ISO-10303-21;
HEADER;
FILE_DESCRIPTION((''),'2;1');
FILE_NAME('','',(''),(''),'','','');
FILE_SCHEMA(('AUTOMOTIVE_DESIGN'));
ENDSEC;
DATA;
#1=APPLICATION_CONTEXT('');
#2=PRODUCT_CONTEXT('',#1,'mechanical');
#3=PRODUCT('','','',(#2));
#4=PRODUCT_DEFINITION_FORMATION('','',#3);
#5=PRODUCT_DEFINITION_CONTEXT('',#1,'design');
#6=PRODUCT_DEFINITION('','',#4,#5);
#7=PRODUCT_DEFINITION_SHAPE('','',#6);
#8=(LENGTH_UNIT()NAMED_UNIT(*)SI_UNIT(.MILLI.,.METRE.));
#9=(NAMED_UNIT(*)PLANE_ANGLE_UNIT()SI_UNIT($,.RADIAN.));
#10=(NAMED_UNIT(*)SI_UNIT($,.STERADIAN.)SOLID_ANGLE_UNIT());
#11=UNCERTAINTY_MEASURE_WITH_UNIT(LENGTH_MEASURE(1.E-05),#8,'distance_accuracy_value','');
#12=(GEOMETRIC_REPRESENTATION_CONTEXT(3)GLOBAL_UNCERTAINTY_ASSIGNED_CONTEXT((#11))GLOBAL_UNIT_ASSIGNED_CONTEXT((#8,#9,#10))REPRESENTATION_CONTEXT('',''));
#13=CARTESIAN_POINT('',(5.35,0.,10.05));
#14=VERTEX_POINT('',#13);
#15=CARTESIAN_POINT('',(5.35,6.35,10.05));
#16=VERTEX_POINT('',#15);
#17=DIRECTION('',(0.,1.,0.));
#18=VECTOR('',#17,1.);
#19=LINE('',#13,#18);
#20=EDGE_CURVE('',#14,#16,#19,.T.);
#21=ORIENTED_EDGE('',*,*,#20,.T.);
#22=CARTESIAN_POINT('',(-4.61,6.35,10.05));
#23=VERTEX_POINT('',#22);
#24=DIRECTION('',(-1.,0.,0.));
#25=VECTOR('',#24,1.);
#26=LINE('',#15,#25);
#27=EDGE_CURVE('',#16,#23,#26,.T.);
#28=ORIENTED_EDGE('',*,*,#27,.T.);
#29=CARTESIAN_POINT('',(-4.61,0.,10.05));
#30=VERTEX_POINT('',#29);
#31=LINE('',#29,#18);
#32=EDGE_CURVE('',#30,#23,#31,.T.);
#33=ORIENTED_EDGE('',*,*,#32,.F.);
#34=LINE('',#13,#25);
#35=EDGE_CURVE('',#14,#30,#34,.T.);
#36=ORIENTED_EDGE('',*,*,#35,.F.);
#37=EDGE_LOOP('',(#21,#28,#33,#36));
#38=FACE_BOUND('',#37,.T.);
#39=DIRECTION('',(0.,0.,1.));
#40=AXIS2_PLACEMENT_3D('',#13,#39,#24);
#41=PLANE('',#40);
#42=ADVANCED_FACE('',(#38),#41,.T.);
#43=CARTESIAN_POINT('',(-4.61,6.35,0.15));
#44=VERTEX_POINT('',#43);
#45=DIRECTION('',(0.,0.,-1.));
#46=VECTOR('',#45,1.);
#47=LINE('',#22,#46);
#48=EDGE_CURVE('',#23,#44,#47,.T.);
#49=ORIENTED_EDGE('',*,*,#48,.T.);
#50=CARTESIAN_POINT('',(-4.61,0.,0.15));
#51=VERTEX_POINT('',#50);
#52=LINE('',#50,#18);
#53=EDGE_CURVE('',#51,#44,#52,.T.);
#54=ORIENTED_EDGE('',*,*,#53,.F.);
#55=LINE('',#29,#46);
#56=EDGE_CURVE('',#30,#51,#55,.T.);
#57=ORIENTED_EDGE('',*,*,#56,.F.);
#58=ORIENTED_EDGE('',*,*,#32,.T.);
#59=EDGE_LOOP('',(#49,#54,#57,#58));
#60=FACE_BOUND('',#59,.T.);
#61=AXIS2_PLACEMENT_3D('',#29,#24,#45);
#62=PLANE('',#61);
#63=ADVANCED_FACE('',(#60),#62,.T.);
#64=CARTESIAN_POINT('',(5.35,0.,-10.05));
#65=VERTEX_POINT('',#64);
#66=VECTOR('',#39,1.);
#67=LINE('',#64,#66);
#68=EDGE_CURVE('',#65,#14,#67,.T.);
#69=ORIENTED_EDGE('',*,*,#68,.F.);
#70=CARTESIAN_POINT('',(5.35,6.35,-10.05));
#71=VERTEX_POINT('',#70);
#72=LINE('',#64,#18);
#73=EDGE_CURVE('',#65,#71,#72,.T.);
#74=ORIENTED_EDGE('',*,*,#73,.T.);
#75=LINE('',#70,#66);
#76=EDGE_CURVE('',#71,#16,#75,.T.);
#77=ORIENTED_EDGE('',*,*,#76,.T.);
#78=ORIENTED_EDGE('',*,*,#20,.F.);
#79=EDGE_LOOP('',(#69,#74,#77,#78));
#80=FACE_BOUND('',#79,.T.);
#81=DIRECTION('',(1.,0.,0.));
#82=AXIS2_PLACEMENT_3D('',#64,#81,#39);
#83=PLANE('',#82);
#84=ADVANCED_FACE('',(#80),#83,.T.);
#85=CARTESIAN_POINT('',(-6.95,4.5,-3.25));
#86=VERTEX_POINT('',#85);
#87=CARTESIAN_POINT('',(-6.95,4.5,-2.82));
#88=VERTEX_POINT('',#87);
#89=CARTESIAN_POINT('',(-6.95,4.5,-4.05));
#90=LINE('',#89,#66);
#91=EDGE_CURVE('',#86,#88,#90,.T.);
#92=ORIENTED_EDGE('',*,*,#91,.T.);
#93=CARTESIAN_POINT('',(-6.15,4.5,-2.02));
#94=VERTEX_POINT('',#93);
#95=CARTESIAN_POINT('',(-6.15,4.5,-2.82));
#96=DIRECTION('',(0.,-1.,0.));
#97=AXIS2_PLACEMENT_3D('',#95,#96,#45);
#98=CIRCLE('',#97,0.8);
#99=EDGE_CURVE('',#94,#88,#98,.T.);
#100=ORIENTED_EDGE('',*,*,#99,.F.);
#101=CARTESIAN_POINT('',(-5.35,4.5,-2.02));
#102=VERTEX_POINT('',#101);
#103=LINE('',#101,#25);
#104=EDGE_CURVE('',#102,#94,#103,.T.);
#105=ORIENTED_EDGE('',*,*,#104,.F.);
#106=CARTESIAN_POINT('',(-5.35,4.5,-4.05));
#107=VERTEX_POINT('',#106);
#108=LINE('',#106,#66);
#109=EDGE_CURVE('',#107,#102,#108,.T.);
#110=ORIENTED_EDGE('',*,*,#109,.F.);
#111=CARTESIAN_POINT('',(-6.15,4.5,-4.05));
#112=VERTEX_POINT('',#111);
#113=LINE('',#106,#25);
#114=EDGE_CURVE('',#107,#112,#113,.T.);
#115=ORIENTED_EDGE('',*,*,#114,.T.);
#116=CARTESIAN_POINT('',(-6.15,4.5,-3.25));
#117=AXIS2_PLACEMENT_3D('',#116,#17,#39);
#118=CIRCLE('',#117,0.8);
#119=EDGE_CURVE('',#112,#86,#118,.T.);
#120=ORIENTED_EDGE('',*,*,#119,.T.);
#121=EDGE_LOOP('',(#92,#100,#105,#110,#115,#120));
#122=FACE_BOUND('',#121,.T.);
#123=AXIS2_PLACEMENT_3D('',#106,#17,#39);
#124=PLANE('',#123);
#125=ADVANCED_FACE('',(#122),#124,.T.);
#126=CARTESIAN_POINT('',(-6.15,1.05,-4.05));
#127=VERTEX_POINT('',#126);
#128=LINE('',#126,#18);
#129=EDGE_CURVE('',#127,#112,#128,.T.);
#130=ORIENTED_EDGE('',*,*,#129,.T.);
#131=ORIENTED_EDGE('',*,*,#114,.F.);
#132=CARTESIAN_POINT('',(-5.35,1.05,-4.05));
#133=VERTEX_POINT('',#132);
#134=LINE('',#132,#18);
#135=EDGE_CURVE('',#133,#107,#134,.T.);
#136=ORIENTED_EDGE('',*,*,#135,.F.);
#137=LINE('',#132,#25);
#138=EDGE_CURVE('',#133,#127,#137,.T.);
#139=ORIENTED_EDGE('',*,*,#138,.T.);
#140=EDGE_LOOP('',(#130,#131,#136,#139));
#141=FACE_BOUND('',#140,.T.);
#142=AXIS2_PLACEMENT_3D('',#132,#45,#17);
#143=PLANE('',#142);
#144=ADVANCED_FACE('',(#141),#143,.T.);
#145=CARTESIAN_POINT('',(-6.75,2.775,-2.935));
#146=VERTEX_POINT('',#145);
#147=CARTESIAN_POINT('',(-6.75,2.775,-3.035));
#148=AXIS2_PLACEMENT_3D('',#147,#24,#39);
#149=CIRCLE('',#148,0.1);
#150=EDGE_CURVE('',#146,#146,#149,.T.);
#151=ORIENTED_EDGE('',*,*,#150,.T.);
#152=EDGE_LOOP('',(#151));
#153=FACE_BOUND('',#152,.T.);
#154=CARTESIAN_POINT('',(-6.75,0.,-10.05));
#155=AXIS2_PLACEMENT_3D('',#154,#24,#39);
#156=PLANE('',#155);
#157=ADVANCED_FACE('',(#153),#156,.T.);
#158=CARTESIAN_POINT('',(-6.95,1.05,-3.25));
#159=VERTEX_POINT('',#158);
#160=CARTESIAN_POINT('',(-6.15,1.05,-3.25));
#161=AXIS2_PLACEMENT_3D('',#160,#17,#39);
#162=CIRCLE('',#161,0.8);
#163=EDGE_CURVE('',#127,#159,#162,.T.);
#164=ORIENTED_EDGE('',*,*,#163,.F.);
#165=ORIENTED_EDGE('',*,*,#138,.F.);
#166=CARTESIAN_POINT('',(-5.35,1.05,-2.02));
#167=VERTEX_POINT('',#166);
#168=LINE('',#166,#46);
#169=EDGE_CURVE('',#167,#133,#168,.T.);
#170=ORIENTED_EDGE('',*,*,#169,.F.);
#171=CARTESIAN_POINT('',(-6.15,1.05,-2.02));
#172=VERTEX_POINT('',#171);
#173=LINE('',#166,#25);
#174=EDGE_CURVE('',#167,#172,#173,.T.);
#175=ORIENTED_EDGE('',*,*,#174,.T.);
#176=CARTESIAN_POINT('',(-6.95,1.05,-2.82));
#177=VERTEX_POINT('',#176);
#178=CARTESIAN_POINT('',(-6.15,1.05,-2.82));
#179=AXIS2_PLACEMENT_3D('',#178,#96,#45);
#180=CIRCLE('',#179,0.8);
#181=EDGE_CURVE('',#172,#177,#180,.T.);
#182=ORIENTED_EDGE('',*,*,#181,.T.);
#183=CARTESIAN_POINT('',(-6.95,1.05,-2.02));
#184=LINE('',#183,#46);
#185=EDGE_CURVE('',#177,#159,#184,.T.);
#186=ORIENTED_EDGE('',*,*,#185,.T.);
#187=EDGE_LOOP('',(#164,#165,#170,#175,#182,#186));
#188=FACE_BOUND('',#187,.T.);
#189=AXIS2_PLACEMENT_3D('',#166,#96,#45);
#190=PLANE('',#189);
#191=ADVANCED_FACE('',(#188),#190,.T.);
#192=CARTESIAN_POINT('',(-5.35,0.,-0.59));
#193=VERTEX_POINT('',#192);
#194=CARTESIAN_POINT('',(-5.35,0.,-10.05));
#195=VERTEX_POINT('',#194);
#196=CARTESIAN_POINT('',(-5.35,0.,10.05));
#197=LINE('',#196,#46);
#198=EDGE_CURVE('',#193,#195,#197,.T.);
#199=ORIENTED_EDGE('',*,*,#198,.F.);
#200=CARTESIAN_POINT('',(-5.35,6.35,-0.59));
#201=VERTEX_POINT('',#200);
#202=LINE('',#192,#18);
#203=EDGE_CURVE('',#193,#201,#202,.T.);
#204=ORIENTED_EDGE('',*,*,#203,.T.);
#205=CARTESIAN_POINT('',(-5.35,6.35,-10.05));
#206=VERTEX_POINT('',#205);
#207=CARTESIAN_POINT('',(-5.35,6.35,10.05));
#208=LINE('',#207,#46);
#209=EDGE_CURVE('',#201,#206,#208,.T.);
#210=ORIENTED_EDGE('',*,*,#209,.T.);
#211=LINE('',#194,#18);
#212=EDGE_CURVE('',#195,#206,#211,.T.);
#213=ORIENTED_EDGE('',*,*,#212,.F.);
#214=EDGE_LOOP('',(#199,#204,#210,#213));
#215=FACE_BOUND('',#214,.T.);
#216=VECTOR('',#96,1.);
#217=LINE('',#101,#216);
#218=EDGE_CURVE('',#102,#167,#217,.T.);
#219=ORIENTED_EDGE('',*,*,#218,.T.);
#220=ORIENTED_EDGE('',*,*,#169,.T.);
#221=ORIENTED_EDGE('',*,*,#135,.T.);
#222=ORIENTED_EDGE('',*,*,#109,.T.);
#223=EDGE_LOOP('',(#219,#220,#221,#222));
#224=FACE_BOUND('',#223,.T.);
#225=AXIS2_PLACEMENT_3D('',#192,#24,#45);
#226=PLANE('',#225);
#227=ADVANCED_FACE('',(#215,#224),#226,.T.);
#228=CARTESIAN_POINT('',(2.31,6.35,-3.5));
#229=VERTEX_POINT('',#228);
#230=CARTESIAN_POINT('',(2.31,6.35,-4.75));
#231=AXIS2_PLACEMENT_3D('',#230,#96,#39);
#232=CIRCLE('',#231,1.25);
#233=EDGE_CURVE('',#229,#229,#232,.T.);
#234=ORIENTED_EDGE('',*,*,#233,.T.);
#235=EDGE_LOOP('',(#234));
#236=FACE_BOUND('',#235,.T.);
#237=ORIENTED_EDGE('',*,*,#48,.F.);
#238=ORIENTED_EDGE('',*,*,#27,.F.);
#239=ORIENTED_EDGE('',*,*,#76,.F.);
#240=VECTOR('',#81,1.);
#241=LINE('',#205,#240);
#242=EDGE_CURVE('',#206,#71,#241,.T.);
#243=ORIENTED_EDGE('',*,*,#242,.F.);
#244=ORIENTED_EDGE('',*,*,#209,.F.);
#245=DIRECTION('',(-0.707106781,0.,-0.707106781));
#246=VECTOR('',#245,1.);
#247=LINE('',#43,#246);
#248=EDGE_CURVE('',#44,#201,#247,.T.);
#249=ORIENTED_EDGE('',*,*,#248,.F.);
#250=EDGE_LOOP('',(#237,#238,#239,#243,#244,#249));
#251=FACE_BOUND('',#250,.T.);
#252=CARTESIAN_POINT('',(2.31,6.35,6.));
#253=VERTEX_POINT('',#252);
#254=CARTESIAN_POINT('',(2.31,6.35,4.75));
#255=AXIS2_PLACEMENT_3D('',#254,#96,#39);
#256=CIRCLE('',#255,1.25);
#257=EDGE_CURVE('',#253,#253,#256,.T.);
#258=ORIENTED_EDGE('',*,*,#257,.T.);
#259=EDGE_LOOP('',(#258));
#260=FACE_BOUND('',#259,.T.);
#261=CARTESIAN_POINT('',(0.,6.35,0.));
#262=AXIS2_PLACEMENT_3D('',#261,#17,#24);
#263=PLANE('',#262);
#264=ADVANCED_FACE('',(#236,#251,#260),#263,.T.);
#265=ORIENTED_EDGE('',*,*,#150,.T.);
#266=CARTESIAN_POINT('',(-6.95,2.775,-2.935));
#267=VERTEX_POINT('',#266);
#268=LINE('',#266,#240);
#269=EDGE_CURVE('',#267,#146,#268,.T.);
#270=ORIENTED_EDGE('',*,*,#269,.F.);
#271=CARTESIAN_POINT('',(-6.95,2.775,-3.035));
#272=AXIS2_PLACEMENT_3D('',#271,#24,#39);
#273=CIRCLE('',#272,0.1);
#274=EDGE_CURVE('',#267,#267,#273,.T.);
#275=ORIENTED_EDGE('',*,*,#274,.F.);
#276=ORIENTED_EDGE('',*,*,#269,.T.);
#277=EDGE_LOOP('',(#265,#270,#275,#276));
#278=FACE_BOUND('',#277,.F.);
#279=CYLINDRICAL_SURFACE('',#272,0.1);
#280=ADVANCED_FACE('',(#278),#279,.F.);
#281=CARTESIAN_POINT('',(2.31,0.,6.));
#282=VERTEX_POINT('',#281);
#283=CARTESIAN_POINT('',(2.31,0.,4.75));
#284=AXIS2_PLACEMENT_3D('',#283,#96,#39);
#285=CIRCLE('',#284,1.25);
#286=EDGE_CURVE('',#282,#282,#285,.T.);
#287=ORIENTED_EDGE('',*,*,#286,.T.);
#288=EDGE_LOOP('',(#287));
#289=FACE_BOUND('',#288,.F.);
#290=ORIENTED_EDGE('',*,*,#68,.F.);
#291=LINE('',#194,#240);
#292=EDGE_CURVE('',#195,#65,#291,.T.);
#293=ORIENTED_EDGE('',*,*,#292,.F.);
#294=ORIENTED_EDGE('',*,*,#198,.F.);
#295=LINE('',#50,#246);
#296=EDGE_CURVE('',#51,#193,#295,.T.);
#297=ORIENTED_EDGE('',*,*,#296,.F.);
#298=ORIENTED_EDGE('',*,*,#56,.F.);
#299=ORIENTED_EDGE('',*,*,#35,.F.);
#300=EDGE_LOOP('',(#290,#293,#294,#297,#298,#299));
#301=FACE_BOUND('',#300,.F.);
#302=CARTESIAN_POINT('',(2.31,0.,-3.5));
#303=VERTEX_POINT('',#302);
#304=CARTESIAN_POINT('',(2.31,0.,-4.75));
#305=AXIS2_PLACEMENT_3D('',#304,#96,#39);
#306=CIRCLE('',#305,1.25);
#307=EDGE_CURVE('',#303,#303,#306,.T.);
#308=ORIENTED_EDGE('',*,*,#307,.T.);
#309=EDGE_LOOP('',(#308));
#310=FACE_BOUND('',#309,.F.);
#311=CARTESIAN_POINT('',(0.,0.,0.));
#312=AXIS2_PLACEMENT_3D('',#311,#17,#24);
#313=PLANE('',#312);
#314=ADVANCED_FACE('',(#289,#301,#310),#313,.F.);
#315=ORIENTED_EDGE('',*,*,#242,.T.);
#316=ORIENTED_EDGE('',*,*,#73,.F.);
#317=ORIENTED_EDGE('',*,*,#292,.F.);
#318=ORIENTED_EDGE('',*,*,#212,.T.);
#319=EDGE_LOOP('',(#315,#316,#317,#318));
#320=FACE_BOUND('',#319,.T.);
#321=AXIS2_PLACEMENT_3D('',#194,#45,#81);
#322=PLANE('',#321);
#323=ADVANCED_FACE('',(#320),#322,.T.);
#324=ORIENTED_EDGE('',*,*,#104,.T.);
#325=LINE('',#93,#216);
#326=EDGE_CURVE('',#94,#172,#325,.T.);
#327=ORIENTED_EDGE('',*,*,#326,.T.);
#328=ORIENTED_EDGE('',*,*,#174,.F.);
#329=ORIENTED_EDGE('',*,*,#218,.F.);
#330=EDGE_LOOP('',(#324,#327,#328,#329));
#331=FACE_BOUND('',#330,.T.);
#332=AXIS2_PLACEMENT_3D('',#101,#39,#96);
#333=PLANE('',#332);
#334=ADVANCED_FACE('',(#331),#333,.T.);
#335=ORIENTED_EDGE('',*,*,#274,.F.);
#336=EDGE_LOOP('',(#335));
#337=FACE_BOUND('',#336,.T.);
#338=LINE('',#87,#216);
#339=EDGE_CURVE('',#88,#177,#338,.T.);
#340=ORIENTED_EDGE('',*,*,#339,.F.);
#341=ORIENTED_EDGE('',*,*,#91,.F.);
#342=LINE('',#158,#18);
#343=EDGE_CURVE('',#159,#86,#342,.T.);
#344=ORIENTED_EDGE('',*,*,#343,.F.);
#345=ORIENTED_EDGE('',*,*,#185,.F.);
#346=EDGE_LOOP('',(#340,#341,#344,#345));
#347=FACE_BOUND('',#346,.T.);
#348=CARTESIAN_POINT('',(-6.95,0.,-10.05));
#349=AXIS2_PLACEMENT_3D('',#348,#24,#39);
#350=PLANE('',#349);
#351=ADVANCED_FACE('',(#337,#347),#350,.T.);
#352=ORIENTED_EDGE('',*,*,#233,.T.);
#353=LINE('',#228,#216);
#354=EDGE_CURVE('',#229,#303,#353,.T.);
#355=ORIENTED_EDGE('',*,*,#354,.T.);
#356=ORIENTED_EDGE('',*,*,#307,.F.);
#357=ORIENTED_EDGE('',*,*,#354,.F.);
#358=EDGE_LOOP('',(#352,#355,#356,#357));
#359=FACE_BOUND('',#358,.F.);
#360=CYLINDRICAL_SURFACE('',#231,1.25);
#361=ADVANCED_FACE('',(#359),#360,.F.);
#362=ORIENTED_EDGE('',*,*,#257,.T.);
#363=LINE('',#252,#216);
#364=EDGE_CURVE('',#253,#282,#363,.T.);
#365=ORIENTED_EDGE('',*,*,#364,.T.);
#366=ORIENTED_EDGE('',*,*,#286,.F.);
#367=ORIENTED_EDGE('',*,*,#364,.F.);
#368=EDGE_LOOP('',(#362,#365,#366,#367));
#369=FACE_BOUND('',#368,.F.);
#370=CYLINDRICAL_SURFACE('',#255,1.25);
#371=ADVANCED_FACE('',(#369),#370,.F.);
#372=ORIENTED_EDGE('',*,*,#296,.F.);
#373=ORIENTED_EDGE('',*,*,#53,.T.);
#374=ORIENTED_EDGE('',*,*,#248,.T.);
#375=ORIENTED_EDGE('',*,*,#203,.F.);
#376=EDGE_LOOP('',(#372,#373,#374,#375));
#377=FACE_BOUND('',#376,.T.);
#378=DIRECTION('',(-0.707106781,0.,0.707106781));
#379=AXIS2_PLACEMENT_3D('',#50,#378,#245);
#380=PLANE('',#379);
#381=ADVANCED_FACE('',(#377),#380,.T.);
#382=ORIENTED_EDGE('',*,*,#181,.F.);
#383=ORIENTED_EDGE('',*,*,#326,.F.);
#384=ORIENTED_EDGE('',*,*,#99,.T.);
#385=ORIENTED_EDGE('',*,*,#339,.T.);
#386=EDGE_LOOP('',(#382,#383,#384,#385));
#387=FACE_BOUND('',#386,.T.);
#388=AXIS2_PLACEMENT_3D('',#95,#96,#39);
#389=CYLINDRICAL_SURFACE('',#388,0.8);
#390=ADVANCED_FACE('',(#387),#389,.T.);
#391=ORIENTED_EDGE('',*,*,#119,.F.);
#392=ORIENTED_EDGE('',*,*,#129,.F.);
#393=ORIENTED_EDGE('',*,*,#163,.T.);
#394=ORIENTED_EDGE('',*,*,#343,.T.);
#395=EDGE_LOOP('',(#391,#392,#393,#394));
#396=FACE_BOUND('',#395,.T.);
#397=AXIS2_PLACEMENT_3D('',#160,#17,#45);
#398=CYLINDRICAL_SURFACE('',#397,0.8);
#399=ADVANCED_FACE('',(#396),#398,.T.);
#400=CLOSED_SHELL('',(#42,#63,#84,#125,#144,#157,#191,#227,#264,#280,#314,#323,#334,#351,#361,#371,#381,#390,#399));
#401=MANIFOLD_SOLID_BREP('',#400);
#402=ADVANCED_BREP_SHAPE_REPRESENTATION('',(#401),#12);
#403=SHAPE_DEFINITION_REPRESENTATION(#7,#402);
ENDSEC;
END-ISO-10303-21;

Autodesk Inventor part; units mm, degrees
ref_plane "YZ Plane" through (0, 0, 0) normal (1, 0, 0) x (0, 1, 0)
ref_plane "XZ Plane" through (0, 0, 0) normal (0, 1, 0) x (-1, 0, 0)
ref_plane "XY Plane" through (0, 0, 0) normal (0, 0, 1) x (1, 0, 0)
sketch "Skizze1" plane through (0, 0, 0) normal (0, 1, 0) x (-1, 0, 0)
  line L0 (-5.35, 10.05) -> (5.35, 10.05)
  line L1 (5.35, 10.05) -> (5.35, -10.05)
  line L2 (5.35, -10.05) -> (-5.35, -10.05)
  line L3 (-5.35, -10.05) -> (-5.35, 10.05)
  line L4 (-5.35, 10.05) -> (5.35, -10.05) construction
  line L5 (5.35, 10.05) -> (-5.35, -10.05) construction
  line L6 (4.61, 10.05) -> (4.61, 0.15)
  line L7 (4.61, 0.15) -> (5.35, -0.59)
  point P0 (0, 0)
  dimension "d0" = 10.7
  dimension "d1" = 20.1
  dimension "d2" = 9.96
  dimension "d3" = 9.9
  dimension "d4" = 45
extrude "Extrusion1" add sketch "Skizze1" along normal blind 6.35 contours L0 L6 L7 L1 L2 L3
sketch "Skizze2" plane through (-5.35, 0, -10.05) normal (-1, 0, 0) x (0, 0, 1)
  line L0 (6, 4.5) -> (8.03, 4.5)
  line L1 (8.03, 4.5) -> (8.03, 1.05)
  line L2 (8.03, 1.05) -> (6, 1.05)
  line L3 (6, 1.05) -> (6, 4.5)
  line L4 (0, 0) -> (9.46, 0) projected
  line L5 (0, 6.35) -> (9.46, 6.35) projected
  line L6 (0, 0) -> (0, 6.35) projected
  point P0 (10.05, 0)
  dimension "d7" = 2.03
  dimension "d8" = 3.45
  dimension "d9" = 1.05
  dimension "d10" = 1.85
  dimension "d11" = 6
extrude "Extrusion2" add sketch "Skizze2" along normal blind 1.6
fillet "Rundung1" radius 0.8 2 edges at (-6.95, 2.775, -2.02) (-6.95, 2.775, -4.05)
sketch "Skizze3" plane through (0, 6.35, 0) normal (0, 1, 0) x (1, 0, 0)
  line L0 (-4.61, -0.15) -> (-4.61, -10.05) projected
  line L1 (5.35, -10.05) -> (5.35, 10.05) projected
  line L2 (5.35, 10.05) -> (-5.35, 10.05) projected
  line L3 (-4.61, -10.05) -> (5.35, -10.05) projected
  point P0 (0, 0)
  point P1 (2.31, -4.75)
  point P2 (2.31, 4.75)
  dimension "d15" = 9.5
  dimension "d16" = 6.92
  dimension "d17" = 3.04
  dimension "d18" = 0
  dimension "d19" = 5.3
  dimension "d20" = 5.3
hole "Bohrung1" at (2.31, 6.35, 4.75) at (2.31, 6.35, -4.75) direction (0, -1, 0) diameter 2.5 end through all
sketch "Skizze4" plane through (-6.95, 0, -10.05) normal (-1, 0, 0) x (0, 0, 1)
  line L0 (6.8, 1.05) -> (6.8, 4.5) projected
  line L1 (6.8, 1.05) -> (7.23, 1.05) projected
  line L2 (7.23, 4.5) -> (7.23, 1.05) projected
  line L3 (7.23, 4.5) -> (6.8, 4.5) projected
  circle A0 centre (7.015, 2.775) radius 0.1
  point P0 (10.05, 0)
  dimension "d28" = 0.2
  dimension "d29" = 1.725
  dimension "d30" = 1.725
  dimension "d31" = 0.43
  dimension "d32" = 0.215
extrude "Extrusion3" cut sketch "Skizze4" against normal blind 0.2 contours A0
equation "\"d19\" = d20"
equation "\"d32\" = 0.5 * d31"
properties part number "MicroswitchBig"
